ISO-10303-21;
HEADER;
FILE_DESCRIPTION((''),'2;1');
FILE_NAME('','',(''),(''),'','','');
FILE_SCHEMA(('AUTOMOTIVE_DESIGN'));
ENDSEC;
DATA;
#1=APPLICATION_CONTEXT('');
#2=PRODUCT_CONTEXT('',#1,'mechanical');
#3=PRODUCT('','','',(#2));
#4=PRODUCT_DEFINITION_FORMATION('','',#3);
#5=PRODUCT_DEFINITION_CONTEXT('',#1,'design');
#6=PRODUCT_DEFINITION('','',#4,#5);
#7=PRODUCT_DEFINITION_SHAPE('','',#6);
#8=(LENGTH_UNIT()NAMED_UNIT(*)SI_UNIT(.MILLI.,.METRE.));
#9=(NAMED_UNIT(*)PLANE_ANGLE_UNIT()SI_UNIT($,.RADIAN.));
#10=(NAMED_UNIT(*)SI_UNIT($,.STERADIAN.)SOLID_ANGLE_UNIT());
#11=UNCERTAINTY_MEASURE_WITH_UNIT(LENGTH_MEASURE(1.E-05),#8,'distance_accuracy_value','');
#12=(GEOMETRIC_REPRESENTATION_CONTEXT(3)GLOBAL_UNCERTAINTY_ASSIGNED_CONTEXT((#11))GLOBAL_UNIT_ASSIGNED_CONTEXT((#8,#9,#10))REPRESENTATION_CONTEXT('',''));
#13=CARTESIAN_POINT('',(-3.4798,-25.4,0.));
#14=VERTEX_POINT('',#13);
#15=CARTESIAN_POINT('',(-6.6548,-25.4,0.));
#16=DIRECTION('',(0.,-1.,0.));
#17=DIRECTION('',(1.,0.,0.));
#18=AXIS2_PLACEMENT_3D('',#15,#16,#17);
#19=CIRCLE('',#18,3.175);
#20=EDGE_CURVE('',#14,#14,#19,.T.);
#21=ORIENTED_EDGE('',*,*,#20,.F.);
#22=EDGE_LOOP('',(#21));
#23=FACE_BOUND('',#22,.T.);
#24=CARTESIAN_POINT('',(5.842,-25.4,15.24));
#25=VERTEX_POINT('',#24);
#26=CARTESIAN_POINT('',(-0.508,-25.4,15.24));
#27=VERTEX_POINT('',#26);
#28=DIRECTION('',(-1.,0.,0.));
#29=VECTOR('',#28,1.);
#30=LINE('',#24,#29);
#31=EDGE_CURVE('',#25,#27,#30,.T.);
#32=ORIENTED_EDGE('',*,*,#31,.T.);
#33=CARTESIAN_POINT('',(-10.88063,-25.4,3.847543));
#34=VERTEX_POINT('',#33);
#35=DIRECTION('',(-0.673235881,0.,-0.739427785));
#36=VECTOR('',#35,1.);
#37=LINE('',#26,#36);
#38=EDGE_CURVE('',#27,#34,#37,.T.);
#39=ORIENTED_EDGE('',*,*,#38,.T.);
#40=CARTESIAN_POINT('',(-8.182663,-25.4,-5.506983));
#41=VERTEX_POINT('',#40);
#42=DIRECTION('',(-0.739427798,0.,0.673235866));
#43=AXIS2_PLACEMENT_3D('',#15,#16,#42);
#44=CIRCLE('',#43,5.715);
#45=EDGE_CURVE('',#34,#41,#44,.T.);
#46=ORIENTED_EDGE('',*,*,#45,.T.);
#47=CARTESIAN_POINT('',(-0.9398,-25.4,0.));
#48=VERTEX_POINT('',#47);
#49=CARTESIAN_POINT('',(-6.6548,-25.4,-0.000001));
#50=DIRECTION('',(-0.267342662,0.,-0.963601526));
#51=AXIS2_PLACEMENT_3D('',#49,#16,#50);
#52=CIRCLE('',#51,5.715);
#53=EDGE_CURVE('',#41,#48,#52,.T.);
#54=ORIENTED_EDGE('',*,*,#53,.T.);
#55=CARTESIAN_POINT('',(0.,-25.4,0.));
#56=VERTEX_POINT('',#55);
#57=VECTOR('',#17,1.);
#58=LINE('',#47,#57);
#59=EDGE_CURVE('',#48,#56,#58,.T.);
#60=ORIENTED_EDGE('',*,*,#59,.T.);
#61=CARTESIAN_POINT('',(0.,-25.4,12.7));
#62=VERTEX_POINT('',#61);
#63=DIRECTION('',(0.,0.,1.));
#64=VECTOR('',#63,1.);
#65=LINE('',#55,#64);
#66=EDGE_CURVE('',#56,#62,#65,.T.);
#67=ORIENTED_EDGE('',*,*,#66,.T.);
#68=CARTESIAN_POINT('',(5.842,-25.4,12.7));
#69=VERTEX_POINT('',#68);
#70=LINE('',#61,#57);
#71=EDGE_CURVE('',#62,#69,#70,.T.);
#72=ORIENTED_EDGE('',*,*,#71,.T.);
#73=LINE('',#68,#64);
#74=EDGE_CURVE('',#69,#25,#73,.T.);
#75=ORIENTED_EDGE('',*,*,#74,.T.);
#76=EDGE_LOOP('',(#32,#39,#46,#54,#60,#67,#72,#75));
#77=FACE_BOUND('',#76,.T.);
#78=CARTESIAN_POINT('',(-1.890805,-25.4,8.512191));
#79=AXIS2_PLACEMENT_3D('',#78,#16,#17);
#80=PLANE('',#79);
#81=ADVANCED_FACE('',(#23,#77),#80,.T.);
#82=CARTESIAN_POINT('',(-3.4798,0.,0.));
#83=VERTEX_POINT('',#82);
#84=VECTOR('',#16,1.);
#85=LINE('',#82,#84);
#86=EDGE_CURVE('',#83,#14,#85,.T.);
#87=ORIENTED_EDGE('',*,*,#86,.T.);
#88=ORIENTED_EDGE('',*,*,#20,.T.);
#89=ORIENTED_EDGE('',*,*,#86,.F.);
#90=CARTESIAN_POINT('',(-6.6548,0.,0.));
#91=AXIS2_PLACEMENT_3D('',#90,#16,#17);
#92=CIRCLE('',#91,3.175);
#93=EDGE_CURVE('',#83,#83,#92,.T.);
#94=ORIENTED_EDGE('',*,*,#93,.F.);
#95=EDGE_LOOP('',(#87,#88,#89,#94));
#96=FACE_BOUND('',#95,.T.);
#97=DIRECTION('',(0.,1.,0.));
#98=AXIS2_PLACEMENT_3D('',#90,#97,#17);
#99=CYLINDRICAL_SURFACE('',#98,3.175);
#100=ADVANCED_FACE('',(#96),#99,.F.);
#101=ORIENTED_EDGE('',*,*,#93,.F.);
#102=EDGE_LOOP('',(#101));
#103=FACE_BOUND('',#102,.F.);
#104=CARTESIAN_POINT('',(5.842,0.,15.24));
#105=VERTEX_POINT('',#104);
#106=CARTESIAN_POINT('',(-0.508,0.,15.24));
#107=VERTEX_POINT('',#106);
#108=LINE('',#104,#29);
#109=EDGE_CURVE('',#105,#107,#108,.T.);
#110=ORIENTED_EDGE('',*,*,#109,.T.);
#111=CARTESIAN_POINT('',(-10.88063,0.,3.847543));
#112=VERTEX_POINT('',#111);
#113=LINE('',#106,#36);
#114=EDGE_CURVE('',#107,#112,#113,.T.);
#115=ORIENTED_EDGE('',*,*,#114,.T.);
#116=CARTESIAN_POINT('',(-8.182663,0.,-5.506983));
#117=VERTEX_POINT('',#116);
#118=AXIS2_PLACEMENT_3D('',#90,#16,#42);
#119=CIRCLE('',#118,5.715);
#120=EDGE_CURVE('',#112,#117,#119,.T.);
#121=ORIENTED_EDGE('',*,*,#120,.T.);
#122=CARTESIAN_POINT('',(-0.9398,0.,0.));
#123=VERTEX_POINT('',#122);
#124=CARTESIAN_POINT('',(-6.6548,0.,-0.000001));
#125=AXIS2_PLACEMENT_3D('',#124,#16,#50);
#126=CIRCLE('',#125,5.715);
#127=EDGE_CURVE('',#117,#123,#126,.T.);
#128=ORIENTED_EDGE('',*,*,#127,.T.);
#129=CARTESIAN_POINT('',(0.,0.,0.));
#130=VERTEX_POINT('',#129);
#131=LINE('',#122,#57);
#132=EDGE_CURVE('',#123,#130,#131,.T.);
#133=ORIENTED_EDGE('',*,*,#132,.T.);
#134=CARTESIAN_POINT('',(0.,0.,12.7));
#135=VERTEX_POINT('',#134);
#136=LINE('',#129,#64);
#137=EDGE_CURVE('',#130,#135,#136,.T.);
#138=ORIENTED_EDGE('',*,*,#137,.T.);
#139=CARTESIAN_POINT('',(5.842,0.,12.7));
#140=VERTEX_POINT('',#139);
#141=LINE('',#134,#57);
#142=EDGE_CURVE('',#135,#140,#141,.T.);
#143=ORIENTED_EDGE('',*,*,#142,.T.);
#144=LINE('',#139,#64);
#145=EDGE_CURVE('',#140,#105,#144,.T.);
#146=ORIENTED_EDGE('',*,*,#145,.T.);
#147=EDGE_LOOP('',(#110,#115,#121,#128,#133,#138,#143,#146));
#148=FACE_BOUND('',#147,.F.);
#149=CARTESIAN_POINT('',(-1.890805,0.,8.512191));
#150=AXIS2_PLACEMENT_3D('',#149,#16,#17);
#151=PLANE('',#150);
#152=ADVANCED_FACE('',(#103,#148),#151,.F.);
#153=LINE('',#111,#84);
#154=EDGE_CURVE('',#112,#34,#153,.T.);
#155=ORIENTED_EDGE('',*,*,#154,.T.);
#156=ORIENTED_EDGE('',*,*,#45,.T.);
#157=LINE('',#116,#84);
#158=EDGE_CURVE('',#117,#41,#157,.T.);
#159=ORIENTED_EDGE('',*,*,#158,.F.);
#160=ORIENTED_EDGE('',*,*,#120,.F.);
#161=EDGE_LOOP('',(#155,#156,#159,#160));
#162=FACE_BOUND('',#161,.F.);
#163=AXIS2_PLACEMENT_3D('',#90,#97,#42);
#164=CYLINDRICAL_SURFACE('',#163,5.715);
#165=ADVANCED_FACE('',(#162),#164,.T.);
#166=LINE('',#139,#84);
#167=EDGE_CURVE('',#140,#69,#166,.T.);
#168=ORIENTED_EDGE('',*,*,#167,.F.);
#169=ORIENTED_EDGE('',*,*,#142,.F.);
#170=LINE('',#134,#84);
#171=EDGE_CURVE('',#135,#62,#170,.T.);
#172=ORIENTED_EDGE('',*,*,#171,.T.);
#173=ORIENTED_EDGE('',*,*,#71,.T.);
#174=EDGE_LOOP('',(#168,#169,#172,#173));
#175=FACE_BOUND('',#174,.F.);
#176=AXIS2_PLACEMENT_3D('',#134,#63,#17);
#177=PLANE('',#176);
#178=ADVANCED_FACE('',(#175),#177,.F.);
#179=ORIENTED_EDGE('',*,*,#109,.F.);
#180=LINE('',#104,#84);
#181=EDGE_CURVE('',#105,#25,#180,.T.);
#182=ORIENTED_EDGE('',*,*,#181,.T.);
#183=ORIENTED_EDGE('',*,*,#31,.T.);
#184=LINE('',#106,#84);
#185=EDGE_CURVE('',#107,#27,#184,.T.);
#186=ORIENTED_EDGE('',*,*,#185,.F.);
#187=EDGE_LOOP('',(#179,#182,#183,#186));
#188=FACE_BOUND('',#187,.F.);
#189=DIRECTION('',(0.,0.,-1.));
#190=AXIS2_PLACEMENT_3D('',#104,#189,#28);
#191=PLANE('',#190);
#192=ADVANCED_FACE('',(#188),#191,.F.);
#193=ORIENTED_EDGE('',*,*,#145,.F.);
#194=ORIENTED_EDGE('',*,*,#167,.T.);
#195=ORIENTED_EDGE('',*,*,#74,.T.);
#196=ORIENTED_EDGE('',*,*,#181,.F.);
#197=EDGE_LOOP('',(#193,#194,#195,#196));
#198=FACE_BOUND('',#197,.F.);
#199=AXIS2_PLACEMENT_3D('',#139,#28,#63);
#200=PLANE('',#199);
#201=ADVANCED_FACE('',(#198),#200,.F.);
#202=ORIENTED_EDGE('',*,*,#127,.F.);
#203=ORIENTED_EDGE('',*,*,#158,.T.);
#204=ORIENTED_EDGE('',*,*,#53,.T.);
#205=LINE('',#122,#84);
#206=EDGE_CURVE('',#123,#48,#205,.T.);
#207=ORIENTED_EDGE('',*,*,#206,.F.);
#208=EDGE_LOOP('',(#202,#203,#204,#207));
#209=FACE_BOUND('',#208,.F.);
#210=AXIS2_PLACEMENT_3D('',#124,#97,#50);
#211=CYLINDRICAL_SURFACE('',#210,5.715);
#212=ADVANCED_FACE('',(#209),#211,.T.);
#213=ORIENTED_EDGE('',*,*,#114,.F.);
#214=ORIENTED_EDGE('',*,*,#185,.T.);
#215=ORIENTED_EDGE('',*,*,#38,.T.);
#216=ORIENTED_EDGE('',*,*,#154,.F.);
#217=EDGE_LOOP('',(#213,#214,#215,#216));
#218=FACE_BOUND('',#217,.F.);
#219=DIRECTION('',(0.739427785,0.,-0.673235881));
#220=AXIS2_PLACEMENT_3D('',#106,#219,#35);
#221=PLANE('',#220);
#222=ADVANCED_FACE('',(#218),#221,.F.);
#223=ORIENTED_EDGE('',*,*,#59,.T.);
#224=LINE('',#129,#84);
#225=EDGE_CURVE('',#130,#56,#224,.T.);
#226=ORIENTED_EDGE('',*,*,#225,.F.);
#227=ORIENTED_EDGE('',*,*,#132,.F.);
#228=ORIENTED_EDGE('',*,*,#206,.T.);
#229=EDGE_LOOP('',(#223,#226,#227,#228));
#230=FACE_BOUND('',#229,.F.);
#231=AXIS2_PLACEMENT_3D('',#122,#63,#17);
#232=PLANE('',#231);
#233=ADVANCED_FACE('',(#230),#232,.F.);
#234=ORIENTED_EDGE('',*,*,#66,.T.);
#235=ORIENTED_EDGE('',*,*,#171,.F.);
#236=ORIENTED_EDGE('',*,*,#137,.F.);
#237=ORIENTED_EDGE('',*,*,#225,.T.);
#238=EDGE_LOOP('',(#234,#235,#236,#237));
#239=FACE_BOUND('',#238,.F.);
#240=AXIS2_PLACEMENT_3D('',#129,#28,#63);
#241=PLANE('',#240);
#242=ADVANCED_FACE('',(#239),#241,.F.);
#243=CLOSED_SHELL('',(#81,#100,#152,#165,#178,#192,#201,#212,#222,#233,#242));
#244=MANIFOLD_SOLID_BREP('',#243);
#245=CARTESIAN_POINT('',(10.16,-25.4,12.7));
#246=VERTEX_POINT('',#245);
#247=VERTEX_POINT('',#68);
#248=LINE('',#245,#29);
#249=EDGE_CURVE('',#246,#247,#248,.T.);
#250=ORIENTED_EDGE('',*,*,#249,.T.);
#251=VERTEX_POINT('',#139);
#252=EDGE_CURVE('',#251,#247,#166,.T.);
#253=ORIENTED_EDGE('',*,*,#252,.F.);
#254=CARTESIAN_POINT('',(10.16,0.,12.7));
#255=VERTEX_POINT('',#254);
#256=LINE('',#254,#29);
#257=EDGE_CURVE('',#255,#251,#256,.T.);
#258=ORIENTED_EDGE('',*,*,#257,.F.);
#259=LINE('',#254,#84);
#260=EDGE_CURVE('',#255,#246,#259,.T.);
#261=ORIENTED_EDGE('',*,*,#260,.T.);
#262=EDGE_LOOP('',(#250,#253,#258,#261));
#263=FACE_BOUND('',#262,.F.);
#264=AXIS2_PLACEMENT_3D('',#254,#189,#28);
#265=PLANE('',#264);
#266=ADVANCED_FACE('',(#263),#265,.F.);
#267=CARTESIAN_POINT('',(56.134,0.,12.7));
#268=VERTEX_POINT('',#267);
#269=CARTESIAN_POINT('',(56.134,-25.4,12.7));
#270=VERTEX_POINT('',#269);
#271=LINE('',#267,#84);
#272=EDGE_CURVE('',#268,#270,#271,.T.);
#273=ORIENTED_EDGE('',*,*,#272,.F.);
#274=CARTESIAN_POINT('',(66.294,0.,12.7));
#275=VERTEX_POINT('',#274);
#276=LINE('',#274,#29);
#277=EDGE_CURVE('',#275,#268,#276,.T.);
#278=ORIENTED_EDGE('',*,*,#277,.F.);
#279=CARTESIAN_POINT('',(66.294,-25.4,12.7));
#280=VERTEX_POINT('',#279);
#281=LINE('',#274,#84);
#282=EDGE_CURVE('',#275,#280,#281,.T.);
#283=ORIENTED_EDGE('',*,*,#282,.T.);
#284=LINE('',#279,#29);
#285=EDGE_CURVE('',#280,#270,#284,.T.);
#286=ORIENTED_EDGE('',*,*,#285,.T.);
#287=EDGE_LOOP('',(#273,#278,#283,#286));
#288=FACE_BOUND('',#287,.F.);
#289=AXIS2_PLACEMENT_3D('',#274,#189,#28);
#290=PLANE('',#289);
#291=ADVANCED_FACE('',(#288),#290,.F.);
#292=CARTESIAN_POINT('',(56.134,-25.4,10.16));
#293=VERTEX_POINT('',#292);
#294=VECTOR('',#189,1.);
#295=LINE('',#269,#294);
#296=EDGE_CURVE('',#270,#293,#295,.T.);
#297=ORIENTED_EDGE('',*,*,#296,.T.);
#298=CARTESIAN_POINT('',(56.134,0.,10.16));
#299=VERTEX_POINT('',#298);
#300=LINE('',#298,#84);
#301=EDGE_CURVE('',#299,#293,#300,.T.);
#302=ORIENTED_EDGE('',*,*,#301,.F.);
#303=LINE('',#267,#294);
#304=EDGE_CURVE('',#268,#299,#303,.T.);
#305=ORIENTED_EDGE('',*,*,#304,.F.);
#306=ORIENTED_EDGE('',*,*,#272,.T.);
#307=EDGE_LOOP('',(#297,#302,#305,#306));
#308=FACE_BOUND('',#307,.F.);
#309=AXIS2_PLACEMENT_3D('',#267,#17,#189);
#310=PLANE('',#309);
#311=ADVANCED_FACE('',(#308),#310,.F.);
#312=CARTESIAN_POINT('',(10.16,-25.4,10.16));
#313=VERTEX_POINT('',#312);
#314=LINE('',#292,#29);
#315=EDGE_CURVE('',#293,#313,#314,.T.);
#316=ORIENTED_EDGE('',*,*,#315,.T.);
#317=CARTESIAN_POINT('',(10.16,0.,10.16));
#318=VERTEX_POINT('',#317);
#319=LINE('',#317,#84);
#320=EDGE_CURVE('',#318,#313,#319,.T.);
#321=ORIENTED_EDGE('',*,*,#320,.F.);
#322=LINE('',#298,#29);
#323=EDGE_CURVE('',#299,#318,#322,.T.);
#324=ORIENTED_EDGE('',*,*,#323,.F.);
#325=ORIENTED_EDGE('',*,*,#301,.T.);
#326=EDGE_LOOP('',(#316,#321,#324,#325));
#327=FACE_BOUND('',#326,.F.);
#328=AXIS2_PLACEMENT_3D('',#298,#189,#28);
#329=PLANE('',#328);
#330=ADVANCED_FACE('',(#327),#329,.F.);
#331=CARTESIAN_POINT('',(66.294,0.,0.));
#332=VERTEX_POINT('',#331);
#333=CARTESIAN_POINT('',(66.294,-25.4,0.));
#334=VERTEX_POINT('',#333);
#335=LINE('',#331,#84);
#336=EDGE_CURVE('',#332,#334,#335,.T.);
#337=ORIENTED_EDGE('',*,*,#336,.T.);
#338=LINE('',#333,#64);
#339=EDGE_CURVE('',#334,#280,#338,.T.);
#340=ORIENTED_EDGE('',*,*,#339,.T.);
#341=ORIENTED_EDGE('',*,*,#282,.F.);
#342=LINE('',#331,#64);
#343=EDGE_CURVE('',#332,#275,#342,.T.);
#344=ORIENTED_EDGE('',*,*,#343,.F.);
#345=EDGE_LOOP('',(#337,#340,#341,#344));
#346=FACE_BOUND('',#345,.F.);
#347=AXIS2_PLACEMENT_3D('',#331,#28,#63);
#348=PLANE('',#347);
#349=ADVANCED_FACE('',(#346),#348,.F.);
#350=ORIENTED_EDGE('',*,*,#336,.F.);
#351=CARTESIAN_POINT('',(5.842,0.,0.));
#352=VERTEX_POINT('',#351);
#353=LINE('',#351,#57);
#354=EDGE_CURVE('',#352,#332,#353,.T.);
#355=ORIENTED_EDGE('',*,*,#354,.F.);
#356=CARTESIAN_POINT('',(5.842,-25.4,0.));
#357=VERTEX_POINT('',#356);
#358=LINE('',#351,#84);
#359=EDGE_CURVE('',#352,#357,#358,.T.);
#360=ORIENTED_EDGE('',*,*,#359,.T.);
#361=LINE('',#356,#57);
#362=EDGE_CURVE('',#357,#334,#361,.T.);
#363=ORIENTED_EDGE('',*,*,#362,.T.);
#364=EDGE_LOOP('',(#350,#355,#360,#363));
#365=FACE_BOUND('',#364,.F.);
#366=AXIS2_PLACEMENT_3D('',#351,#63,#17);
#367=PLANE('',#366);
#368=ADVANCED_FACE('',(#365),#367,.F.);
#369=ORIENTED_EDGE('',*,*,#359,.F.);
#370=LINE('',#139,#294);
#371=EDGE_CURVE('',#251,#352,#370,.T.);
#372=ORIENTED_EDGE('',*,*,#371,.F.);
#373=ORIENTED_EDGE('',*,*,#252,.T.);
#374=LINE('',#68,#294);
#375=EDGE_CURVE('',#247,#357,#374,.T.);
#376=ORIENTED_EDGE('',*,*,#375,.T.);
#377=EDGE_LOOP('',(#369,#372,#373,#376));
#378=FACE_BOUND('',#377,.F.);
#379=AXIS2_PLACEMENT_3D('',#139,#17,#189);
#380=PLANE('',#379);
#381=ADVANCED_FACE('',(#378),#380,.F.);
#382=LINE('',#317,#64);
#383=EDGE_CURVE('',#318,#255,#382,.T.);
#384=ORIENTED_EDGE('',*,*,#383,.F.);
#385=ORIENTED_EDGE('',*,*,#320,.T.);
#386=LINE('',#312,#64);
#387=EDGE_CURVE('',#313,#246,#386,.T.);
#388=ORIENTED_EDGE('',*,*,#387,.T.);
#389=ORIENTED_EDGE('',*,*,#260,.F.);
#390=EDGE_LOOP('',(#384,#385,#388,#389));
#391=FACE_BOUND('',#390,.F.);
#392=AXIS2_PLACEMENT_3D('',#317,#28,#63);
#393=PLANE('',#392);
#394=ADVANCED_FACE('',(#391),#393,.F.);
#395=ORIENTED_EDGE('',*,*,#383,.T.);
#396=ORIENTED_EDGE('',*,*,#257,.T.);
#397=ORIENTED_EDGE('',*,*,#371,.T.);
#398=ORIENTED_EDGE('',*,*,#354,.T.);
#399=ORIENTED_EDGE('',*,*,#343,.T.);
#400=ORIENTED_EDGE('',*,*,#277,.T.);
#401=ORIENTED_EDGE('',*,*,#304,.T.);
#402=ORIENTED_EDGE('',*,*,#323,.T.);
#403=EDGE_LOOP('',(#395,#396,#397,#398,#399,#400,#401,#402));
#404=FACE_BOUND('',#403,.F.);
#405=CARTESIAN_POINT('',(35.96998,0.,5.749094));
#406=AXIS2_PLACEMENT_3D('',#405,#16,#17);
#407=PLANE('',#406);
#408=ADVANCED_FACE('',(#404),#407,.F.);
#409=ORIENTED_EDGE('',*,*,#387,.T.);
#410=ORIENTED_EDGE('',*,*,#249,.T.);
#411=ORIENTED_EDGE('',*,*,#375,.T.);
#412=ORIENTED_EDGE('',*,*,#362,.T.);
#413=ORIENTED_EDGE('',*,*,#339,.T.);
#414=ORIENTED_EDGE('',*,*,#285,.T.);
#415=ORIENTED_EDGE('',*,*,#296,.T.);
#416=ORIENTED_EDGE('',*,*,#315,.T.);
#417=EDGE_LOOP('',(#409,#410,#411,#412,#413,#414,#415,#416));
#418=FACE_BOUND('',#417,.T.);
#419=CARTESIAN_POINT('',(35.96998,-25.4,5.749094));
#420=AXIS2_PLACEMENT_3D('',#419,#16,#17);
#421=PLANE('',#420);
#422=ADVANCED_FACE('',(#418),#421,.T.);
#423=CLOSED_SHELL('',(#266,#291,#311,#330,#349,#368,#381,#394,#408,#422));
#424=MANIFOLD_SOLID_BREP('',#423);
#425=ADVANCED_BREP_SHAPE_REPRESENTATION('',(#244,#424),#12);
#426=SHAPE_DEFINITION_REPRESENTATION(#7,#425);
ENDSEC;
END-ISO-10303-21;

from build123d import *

# Parameters (mm, degrees)
F0_R     = 3.175
F1_DEPTH = 25.4
F2_DEPTH = 25.4


with BuildPart() as f1:
    # F0 (on Front) → F1 (new body)
    with BuildSketch(Plane.XZ):
        with BuildLine():
            Line((-0.9398, 0), (0, 0))
            Line((0, 0), (0, 12.7))
            Line((0, 12.7), (5.842, 12.7))
            Line((5.842, 12.7), (5.842, 15.24))
            Line((5.842, 15.24), (-0.508, 15.24))
            Line((-0.508, 15.24), (-10.88063, 3.847543))
            ThreePointArc((-10.88063, 3.847543), (-4.591961, 5.329721), (-0.9398, 0))
        make_face()
        with BuildLine():
            ThreePointArc((-8.182663, -5.506983), (-3.195791, -4.549339), (-0.9398, 0))
            ThreePointArc((-0.9398, 0), (-4.591961, 5.329721), (-10.88063, 3.847543))
            ThreePointArc((-10.88063, 3.847543), (-12.145978, -1.583727), (-8.182663, -5.506983))
        make_face()
        with Locations((-6.6548, 0)):
            Circle(F0_R, mode=Mode.SUBTRACT)
    extrude(amount=F1_DEPTH)


with BuildPart() as f2:
    # F0 (on Front) → F2 (new body)
    with BuildSketch(Plane.XZ):
        Polygon((5.842, 12.7), (5.842, 0), (66.294, 0), (66.294, 12.7), (56.134, 12.7), (56.134, 10.16), (10.16, 10.16), (10.16, 12.7), align=None)
    extrude(amount=F2_DEPTH)


solid = Compound([f1.part, f2.part])
